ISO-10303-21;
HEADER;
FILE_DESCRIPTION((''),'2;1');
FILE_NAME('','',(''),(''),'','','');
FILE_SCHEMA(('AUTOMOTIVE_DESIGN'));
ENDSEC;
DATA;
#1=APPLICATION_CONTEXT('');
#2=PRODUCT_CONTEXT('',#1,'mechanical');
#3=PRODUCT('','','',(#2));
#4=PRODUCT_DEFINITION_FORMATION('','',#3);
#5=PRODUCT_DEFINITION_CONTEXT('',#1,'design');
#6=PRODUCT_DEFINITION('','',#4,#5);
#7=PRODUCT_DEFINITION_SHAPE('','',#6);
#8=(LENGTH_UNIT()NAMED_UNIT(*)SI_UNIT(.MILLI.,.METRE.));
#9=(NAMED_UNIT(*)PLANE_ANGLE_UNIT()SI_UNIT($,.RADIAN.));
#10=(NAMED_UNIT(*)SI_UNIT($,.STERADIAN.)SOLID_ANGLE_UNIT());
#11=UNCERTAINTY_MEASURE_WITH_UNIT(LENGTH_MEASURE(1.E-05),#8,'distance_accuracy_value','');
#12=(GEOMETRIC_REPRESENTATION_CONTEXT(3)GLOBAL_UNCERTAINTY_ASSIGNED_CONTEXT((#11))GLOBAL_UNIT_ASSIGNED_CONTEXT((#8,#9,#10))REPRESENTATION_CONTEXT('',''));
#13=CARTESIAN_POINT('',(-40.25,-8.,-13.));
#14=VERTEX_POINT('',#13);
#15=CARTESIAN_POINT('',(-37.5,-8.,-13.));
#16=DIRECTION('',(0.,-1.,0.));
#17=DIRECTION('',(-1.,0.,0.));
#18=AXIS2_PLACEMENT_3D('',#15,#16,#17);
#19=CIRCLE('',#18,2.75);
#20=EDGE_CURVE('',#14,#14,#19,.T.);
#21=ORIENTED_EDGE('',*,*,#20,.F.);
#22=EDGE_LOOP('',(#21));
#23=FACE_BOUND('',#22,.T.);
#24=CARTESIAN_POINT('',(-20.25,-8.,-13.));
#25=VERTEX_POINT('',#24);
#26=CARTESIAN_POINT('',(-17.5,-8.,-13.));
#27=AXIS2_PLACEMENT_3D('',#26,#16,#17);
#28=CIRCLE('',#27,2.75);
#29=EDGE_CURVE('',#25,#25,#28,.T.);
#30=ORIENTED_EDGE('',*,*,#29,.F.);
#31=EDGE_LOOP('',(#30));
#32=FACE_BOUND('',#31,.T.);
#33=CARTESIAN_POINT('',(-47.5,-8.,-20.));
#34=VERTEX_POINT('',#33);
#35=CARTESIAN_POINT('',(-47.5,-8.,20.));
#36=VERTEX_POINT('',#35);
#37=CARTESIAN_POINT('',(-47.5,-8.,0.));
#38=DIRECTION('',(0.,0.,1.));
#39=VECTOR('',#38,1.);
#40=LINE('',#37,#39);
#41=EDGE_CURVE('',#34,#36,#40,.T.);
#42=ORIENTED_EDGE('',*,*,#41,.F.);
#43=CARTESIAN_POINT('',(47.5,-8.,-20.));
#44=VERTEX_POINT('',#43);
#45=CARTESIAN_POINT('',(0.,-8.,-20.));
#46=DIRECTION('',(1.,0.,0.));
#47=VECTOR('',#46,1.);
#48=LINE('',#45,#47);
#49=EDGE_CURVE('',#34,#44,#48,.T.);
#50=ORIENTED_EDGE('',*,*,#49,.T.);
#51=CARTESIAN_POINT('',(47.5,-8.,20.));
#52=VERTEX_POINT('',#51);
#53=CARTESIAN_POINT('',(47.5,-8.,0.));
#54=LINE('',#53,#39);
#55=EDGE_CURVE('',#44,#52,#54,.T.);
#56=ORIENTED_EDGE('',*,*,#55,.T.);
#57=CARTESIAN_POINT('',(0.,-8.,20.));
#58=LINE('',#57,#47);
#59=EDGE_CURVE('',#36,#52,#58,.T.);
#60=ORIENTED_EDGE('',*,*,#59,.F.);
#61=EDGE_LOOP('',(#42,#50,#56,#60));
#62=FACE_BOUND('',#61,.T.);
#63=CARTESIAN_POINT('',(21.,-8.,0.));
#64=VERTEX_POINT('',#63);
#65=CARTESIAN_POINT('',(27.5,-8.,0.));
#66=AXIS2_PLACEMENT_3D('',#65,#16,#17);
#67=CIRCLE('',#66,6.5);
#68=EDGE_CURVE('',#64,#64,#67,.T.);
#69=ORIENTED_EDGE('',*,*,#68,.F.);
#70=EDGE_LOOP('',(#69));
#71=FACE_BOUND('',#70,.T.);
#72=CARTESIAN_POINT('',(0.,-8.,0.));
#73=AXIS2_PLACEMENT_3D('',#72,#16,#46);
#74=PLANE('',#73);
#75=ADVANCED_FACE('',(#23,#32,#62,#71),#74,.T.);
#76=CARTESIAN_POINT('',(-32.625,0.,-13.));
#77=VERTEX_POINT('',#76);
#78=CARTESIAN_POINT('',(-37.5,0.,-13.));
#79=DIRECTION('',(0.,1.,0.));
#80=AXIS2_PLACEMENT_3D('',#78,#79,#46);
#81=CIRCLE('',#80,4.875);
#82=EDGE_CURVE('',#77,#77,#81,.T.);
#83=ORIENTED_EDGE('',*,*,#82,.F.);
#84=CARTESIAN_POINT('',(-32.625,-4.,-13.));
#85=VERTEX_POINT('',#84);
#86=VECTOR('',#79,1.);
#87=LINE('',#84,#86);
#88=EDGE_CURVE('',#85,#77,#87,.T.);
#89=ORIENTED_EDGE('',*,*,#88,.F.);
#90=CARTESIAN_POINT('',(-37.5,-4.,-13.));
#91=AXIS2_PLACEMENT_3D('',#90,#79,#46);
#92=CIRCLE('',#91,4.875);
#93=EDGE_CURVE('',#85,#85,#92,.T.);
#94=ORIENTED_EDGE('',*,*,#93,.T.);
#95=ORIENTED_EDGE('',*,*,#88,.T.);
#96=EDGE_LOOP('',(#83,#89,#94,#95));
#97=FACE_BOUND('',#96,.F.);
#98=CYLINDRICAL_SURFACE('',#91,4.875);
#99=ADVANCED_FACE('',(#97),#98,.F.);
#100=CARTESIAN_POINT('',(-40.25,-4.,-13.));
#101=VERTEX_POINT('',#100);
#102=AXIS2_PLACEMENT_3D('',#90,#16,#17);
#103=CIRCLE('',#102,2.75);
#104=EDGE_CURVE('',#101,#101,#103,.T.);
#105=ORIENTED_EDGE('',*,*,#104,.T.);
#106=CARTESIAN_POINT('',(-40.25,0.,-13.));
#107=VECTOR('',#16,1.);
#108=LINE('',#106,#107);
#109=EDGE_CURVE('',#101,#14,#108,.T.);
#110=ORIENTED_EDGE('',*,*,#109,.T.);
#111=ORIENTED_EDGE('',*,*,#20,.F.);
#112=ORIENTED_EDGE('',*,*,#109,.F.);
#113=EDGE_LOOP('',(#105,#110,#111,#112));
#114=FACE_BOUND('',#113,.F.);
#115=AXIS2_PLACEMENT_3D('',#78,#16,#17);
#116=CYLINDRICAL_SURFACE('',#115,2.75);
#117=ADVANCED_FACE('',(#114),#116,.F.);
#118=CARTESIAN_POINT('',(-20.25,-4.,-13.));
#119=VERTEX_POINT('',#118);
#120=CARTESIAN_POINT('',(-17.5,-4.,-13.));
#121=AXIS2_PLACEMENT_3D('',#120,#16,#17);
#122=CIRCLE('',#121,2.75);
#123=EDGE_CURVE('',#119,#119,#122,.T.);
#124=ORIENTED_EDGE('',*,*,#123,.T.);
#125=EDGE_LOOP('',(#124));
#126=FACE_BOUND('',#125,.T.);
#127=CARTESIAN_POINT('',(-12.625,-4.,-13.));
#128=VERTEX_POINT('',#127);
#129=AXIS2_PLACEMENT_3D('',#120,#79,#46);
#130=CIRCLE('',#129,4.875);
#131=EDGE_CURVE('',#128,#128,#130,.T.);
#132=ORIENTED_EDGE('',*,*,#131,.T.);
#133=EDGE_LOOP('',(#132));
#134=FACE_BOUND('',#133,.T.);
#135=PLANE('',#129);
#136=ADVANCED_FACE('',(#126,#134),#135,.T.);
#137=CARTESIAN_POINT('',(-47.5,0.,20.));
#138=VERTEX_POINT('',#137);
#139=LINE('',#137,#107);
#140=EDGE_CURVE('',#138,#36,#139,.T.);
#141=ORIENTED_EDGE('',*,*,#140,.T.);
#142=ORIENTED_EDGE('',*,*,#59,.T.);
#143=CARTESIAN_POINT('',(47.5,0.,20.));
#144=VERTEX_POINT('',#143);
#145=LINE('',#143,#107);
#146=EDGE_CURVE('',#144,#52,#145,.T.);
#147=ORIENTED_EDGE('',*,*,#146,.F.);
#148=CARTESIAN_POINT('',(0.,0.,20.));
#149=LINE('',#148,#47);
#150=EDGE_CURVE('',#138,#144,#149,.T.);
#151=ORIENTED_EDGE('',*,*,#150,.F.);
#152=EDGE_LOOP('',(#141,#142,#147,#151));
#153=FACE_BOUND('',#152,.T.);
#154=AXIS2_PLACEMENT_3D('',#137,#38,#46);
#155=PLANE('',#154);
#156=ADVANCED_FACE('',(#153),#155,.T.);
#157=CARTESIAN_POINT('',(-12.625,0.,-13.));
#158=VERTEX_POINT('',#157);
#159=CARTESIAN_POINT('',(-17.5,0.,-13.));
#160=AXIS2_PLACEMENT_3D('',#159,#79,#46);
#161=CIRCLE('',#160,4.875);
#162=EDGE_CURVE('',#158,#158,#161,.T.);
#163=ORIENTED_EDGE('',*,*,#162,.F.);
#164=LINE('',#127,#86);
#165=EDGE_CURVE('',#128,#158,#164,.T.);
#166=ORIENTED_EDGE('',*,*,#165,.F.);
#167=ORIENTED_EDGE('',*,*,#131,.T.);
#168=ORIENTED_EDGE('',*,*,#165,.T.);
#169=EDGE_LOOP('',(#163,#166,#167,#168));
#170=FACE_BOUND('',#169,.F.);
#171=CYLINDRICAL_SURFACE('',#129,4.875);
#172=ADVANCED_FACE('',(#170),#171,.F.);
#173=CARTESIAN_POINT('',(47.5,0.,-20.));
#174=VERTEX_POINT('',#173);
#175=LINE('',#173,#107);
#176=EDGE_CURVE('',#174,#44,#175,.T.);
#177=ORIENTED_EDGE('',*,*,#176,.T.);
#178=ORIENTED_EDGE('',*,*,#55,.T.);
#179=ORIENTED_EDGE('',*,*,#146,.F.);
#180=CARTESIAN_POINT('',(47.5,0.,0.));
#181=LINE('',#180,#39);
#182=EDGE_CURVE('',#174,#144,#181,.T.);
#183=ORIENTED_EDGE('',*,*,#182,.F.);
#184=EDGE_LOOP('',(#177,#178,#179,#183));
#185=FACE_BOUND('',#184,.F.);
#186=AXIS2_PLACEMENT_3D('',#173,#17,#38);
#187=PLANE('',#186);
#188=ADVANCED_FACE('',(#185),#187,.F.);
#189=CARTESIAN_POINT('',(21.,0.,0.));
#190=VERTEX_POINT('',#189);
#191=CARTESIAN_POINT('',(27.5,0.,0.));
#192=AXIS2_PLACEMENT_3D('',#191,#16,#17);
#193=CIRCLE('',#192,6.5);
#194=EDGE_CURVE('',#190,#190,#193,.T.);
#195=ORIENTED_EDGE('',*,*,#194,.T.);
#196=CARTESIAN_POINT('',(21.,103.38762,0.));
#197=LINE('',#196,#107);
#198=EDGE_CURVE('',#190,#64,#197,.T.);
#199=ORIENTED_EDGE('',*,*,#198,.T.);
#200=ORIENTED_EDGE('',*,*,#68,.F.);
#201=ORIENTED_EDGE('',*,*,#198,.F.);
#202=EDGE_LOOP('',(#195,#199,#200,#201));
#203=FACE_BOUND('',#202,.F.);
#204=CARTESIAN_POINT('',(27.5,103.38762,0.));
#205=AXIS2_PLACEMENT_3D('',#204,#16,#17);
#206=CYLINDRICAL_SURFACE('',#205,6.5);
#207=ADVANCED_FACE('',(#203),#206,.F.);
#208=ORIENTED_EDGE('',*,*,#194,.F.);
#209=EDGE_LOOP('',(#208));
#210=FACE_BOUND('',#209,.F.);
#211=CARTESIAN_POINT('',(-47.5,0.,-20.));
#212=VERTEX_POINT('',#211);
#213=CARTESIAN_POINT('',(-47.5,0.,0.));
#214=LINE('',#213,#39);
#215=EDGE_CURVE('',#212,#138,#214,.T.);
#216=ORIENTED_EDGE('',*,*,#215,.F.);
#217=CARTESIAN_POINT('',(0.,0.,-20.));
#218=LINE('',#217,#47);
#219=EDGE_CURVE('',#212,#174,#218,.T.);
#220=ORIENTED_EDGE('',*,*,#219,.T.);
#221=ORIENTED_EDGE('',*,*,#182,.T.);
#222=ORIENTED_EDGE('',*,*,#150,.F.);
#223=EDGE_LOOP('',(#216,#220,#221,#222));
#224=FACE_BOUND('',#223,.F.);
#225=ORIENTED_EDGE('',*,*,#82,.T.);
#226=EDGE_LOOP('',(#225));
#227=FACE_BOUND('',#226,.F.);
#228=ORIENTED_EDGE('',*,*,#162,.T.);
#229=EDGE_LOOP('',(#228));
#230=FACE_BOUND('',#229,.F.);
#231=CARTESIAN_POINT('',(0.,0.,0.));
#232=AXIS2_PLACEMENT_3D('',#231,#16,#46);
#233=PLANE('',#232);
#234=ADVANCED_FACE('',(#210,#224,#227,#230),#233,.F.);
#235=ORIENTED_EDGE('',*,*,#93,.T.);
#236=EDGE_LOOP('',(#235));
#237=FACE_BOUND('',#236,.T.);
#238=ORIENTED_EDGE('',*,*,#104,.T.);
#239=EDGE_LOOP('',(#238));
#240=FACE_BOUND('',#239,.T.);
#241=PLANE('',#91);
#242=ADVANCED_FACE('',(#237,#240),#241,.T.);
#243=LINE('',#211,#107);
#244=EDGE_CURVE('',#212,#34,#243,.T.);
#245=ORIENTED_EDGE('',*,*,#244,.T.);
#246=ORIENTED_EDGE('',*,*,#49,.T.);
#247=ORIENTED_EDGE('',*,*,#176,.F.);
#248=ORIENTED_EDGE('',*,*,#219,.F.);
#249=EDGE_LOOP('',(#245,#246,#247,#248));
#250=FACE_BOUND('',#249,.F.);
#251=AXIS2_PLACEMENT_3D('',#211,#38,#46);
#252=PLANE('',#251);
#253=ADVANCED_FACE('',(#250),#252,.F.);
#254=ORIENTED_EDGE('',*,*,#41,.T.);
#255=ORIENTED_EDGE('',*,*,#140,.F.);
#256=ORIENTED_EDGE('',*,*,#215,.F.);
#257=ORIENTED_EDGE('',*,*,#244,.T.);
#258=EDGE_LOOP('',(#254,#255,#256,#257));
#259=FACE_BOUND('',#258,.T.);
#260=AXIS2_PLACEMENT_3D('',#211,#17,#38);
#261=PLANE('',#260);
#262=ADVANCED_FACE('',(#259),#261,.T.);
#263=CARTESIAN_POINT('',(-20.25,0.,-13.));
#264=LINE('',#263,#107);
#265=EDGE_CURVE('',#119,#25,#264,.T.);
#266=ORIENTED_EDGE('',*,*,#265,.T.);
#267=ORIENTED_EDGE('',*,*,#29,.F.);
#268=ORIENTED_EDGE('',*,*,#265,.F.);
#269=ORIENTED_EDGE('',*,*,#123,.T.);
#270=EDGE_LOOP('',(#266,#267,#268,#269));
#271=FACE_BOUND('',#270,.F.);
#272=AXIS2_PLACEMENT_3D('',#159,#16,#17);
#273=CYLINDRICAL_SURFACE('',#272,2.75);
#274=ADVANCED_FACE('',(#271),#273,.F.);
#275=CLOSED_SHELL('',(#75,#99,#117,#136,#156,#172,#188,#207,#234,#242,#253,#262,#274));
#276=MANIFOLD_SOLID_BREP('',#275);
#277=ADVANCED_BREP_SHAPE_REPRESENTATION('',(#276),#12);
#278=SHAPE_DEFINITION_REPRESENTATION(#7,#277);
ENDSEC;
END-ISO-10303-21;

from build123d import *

# Parameters (mm, degrees)
F0_W           = 95
F0_H           = 40
F1_DEPTH       = 8
F2_D           = 5.5
F2_CBORE_D     = 9.75
F2_CBORE_DEPTH = 4
F3_D           = 13


with BuildPart() as f1:
    # F0 (on Front) → F1 (new body)
    with BuildSketch(Plane.XZ):
        Rectangle(F0_W, F0_H)
    extrude(amount=F1_DEPTH)

    # F2 (through all)
    with Locations(Plane(origin=(0, 0, 0), x_dir=(1, 0, 0), z_dir=(0, 1, 0))):
        with Locations((-17.5, 13), (-37.5, 13)):
            CounterBoreHole(F2_D / 2, F2_CBORE_D / 2, F2_CBORE_DEPTH)

    # F3 (through all)
    with Locations(Plane(origin=(0, 0, 0), x_dir=(1, 0, 0), z_dir=(0, 1, 0))):
        with Locations((27.5, 0)):
            Hole(F3_D / 2)


solid = f1.part
